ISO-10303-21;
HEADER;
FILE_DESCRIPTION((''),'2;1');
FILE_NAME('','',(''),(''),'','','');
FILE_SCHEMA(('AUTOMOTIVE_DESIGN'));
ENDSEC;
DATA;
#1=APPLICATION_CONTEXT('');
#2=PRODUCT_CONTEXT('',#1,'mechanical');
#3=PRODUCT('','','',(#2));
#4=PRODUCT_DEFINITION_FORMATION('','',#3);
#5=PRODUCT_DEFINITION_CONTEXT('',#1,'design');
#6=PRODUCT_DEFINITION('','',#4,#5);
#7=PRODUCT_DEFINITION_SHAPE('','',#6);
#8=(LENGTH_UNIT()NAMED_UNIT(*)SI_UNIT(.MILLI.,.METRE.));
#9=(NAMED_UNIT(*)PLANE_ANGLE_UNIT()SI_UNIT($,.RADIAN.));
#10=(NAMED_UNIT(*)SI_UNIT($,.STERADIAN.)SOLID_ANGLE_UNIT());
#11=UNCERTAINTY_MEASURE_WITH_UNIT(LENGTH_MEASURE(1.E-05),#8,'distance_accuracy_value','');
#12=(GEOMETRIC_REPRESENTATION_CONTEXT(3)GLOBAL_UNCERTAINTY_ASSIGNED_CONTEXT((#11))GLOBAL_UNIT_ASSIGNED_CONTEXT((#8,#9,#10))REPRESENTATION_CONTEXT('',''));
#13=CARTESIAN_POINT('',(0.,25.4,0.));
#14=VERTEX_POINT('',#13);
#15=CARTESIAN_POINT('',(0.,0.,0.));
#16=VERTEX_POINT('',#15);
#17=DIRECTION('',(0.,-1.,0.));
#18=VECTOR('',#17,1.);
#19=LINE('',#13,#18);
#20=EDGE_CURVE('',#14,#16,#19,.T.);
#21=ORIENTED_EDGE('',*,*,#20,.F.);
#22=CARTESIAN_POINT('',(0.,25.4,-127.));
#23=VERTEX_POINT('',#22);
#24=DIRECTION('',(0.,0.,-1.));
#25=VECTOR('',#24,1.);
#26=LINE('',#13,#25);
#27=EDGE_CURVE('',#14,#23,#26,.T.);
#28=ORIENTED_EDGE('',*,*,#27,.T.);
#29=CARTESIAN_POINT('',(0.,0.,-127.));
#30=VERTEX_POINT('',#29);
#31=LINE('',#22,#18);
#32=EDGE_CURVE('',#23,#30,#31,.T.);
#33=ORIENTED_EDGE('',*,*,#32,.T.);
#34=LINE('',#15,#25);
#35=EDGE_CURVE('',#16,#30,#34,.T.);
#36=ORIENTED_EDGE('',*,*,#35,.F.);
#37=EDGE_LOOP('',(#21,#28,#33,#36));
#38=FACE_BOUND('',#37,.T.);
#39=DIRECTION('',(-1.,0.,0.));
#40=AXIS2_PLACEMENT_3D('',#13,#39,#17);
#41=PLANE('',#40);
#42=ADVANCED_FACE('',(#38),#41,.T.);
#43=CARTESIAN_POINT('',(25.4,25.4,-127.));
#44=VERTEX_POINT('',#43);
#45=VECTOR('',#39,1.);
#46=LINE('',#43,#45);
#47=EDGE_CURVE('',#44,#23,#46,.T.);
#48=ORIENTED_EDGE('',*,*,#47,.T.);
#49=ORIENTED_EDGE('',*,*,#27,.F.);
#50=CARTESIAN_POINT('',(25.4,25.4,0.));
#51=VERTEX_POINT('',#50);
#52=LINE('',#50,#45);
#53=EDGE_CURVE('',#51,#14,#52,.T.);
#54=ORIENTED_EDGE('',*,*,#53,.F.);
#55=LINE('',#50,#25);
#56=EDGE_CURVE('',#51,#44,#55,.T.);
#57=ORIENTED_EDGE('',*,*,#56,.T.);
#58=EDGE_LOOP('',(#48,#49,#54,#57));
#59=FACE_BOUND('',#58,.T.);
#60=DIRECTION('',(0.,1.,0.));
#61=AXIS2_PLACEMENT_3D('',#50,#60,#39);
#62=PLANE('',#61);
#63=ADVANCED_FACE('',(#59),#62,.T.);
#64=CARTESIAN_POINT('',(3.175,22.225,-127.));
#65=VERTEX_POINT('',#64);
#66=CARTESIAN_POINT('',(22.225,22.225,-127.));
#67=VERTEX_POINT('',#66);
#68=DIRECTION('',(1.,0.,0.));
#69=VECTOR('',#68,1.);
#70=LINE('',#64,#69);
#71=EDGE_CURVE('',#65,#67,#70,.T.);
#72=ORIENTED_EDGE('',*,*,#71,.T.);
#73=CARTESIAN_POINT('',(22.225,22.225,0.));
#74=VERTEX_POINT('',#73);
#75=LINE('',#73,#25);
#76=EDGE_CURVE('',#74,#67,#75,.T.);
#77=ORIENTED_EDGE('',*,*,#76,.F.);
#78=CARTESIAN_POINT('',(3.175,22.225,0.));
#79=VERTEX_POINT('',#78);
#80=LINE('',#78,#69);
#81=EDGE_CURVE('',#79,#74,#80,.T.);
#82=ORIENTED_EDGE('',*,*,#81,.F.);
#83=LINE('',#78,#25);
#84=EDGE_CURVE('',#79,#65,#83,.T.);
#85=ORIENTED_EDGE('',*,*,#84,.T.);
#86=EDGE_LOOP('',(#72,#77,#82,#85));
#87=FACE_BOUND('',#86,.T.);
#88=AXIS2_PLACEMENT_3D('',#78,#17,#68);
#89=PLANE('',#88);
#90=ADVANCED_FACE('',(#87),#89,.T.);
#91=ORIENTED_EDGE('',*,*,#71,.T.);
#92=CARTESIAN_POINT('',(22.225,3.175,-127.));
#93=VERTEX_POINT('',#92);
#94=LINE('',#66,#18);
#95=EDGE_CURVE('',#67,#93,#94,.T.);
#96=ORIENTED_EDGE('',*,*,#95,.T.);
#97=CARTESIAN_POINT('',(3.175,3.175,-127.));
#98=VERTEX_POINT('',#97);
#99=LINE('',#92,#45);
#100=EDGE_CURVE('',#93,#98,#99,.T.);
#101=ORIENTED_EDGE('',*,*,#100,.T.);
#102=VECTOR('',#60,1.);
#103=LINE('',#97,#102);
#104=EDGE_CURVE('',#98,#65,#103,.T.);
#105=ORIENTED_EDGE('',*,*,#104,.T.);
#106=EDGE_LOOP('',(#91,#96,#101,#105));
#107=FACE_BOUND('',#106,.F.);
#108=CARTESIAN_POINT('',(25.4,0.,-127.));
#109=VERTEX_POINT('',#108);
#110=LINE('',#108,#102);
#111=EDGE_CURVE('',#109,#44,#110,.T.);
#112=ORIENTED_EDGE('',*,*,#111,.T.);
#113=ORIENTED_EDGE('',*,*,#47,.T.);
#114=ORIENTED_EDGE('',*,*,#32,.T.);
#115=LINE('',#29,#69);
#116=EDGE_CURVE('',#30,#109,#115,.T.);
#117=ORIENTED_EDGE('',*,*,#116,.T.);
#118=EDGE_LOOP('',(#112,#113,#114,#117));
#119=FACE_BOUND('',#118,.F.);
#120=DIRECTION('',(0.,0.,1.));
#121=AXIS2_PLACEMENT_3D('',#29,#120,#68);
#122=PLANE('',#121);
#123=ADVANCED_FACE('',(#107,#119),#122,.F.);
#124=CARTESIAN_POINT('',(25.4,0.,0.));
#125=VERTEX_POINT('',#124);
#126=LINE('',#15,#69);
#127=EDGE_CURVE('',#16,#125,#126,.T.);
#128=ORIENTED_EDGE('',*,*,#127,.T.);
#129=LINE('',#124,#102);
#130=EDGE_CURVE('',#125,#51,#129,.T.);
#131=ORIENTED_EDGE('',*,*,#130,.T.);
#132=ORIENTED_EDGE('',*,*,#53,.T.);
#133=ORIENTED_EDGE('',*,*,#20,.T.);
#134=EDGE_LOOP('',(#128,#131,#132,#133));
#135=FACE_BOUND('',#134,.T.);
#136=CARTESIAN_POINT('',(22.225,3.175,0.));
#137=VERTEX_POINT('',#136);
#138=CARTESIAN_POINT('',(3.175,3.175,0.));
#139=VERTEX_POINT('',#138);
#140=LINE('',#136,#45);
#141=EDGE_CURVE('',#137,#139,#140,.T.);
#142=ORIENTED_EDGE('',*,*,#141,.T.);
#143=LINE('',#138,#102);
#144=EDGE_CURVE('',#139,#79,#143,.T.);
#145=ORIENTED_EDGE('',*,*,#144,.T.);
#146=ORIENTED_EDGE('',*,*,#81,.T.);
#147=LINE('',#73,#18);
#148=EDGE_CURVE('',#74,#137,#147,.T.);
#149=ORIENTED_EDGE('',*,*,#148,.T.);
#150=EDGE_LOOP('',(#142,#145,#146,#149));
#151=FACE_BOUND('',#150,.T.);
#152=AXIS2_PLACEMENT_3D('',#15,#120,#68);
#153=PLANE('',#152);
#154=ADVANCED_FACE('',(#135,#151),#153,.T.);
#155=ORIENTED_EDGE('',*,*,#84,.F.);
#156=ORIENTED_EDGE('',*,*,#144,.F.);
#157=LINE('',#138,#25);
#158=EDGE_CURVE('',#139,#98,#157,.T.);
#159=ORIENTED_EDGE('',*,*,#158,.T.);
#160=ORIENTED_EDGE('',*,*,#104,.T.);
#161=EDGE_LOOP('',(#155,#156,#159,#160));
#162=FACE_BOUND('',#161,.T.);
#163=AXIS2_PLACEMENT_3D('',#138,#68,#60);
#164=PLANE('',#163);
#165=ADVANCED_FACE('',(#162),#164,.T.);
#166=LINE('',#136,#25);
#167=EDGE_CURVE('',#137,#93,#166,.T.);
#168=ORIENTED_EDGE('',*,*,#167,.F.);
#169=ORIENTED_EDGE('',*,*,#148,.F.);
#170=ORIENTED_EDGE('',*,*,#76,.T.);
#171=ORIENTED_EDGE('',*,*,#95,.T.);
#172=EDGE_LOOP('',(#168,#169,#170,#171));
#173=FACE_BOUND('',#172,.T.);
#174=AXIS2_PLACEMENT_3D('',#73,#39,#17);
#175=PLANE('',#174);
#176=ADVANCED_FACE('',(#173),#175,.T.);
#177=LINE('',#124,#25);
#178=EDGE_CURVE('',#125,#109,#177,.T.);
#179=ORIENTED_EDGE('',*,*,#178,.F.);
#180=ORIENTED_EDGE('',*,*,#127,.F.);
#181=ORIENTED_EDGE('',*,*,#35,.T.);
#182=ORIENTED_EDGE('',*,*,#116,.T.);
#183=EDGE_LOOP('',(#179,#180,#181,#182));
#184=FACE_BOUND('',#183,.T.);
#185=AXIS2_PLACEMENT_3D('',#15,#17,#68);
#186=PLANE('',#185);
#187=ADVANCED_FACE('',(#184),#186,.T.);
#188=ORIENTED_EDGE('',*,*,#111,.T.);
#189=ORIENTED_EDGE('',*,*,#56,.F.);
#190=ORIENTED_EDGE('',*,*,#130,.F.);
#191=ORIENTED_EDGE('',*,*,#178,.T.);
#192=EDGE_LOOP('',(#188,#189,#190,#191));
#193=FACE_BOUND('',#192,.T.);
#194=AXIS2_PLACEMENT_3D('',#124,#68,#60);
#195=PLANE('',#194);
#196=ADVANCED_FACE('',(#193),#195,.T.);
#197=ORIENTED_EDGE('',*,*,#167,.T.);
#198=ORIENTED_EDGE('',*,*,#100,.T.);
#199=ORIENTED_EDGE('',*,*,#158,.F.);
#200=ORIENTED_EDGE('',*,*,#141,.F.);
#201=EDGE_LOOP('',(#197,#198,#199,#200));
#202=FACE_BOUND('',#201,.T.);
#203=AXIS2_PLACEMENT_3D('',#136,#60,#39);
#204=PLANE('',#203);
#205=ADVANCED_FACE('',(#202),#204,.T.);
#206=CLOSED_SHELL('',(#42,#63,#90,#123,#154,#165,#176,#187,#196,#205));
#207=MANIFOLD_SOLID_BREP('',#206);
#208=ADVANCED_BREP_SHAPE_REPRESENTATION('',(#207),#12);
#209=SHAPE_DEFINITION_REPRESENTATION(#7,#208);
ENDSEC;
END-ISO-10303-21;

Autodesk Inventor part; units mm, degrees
ref_plane "YZ Plane" through (0, 0, 0) normal (1, 0, 0) x (0, 1, 0)
ref_plane "XZ Plane" through (0, 0, 0) normal (0, 1, 0) x (-1, 0, 0)
ref_plane "XY Plane" through (0, 0, 0) normal (0, 0, 1) x (1, 0, 0)
sketch "Sketch1" plane through (0, 0, 0) normal (0, 0, 1) x (1, 0, 0)
  line L0 (0, 0) -> (25.4, 0)
  line L1 (25.4, 0) -> (25.4, 25.4)
  line L2 (25.4, 25.4) -> (0, 25.4)
  line L3 (0, 25.4) -> (0, 0)
  line L4 (3.175, 22.225) -> (22.225, 22.225)
  line L5 (22.225, 22.225) -> (22.225, 3.175)
  line L6 (22.225, 3.175) -> (3.175, 3.175)
  line L7 (3.175, 3.175) -> (3.175, 22.225)
  dimension "d0" = 25.4
  dimension "d1" = 25.4
  dimension "d2" = 3.175
extrude "Extrusion1" add sketch "Sketch1" against normal blind 127
properties part number "5.5 stop"
